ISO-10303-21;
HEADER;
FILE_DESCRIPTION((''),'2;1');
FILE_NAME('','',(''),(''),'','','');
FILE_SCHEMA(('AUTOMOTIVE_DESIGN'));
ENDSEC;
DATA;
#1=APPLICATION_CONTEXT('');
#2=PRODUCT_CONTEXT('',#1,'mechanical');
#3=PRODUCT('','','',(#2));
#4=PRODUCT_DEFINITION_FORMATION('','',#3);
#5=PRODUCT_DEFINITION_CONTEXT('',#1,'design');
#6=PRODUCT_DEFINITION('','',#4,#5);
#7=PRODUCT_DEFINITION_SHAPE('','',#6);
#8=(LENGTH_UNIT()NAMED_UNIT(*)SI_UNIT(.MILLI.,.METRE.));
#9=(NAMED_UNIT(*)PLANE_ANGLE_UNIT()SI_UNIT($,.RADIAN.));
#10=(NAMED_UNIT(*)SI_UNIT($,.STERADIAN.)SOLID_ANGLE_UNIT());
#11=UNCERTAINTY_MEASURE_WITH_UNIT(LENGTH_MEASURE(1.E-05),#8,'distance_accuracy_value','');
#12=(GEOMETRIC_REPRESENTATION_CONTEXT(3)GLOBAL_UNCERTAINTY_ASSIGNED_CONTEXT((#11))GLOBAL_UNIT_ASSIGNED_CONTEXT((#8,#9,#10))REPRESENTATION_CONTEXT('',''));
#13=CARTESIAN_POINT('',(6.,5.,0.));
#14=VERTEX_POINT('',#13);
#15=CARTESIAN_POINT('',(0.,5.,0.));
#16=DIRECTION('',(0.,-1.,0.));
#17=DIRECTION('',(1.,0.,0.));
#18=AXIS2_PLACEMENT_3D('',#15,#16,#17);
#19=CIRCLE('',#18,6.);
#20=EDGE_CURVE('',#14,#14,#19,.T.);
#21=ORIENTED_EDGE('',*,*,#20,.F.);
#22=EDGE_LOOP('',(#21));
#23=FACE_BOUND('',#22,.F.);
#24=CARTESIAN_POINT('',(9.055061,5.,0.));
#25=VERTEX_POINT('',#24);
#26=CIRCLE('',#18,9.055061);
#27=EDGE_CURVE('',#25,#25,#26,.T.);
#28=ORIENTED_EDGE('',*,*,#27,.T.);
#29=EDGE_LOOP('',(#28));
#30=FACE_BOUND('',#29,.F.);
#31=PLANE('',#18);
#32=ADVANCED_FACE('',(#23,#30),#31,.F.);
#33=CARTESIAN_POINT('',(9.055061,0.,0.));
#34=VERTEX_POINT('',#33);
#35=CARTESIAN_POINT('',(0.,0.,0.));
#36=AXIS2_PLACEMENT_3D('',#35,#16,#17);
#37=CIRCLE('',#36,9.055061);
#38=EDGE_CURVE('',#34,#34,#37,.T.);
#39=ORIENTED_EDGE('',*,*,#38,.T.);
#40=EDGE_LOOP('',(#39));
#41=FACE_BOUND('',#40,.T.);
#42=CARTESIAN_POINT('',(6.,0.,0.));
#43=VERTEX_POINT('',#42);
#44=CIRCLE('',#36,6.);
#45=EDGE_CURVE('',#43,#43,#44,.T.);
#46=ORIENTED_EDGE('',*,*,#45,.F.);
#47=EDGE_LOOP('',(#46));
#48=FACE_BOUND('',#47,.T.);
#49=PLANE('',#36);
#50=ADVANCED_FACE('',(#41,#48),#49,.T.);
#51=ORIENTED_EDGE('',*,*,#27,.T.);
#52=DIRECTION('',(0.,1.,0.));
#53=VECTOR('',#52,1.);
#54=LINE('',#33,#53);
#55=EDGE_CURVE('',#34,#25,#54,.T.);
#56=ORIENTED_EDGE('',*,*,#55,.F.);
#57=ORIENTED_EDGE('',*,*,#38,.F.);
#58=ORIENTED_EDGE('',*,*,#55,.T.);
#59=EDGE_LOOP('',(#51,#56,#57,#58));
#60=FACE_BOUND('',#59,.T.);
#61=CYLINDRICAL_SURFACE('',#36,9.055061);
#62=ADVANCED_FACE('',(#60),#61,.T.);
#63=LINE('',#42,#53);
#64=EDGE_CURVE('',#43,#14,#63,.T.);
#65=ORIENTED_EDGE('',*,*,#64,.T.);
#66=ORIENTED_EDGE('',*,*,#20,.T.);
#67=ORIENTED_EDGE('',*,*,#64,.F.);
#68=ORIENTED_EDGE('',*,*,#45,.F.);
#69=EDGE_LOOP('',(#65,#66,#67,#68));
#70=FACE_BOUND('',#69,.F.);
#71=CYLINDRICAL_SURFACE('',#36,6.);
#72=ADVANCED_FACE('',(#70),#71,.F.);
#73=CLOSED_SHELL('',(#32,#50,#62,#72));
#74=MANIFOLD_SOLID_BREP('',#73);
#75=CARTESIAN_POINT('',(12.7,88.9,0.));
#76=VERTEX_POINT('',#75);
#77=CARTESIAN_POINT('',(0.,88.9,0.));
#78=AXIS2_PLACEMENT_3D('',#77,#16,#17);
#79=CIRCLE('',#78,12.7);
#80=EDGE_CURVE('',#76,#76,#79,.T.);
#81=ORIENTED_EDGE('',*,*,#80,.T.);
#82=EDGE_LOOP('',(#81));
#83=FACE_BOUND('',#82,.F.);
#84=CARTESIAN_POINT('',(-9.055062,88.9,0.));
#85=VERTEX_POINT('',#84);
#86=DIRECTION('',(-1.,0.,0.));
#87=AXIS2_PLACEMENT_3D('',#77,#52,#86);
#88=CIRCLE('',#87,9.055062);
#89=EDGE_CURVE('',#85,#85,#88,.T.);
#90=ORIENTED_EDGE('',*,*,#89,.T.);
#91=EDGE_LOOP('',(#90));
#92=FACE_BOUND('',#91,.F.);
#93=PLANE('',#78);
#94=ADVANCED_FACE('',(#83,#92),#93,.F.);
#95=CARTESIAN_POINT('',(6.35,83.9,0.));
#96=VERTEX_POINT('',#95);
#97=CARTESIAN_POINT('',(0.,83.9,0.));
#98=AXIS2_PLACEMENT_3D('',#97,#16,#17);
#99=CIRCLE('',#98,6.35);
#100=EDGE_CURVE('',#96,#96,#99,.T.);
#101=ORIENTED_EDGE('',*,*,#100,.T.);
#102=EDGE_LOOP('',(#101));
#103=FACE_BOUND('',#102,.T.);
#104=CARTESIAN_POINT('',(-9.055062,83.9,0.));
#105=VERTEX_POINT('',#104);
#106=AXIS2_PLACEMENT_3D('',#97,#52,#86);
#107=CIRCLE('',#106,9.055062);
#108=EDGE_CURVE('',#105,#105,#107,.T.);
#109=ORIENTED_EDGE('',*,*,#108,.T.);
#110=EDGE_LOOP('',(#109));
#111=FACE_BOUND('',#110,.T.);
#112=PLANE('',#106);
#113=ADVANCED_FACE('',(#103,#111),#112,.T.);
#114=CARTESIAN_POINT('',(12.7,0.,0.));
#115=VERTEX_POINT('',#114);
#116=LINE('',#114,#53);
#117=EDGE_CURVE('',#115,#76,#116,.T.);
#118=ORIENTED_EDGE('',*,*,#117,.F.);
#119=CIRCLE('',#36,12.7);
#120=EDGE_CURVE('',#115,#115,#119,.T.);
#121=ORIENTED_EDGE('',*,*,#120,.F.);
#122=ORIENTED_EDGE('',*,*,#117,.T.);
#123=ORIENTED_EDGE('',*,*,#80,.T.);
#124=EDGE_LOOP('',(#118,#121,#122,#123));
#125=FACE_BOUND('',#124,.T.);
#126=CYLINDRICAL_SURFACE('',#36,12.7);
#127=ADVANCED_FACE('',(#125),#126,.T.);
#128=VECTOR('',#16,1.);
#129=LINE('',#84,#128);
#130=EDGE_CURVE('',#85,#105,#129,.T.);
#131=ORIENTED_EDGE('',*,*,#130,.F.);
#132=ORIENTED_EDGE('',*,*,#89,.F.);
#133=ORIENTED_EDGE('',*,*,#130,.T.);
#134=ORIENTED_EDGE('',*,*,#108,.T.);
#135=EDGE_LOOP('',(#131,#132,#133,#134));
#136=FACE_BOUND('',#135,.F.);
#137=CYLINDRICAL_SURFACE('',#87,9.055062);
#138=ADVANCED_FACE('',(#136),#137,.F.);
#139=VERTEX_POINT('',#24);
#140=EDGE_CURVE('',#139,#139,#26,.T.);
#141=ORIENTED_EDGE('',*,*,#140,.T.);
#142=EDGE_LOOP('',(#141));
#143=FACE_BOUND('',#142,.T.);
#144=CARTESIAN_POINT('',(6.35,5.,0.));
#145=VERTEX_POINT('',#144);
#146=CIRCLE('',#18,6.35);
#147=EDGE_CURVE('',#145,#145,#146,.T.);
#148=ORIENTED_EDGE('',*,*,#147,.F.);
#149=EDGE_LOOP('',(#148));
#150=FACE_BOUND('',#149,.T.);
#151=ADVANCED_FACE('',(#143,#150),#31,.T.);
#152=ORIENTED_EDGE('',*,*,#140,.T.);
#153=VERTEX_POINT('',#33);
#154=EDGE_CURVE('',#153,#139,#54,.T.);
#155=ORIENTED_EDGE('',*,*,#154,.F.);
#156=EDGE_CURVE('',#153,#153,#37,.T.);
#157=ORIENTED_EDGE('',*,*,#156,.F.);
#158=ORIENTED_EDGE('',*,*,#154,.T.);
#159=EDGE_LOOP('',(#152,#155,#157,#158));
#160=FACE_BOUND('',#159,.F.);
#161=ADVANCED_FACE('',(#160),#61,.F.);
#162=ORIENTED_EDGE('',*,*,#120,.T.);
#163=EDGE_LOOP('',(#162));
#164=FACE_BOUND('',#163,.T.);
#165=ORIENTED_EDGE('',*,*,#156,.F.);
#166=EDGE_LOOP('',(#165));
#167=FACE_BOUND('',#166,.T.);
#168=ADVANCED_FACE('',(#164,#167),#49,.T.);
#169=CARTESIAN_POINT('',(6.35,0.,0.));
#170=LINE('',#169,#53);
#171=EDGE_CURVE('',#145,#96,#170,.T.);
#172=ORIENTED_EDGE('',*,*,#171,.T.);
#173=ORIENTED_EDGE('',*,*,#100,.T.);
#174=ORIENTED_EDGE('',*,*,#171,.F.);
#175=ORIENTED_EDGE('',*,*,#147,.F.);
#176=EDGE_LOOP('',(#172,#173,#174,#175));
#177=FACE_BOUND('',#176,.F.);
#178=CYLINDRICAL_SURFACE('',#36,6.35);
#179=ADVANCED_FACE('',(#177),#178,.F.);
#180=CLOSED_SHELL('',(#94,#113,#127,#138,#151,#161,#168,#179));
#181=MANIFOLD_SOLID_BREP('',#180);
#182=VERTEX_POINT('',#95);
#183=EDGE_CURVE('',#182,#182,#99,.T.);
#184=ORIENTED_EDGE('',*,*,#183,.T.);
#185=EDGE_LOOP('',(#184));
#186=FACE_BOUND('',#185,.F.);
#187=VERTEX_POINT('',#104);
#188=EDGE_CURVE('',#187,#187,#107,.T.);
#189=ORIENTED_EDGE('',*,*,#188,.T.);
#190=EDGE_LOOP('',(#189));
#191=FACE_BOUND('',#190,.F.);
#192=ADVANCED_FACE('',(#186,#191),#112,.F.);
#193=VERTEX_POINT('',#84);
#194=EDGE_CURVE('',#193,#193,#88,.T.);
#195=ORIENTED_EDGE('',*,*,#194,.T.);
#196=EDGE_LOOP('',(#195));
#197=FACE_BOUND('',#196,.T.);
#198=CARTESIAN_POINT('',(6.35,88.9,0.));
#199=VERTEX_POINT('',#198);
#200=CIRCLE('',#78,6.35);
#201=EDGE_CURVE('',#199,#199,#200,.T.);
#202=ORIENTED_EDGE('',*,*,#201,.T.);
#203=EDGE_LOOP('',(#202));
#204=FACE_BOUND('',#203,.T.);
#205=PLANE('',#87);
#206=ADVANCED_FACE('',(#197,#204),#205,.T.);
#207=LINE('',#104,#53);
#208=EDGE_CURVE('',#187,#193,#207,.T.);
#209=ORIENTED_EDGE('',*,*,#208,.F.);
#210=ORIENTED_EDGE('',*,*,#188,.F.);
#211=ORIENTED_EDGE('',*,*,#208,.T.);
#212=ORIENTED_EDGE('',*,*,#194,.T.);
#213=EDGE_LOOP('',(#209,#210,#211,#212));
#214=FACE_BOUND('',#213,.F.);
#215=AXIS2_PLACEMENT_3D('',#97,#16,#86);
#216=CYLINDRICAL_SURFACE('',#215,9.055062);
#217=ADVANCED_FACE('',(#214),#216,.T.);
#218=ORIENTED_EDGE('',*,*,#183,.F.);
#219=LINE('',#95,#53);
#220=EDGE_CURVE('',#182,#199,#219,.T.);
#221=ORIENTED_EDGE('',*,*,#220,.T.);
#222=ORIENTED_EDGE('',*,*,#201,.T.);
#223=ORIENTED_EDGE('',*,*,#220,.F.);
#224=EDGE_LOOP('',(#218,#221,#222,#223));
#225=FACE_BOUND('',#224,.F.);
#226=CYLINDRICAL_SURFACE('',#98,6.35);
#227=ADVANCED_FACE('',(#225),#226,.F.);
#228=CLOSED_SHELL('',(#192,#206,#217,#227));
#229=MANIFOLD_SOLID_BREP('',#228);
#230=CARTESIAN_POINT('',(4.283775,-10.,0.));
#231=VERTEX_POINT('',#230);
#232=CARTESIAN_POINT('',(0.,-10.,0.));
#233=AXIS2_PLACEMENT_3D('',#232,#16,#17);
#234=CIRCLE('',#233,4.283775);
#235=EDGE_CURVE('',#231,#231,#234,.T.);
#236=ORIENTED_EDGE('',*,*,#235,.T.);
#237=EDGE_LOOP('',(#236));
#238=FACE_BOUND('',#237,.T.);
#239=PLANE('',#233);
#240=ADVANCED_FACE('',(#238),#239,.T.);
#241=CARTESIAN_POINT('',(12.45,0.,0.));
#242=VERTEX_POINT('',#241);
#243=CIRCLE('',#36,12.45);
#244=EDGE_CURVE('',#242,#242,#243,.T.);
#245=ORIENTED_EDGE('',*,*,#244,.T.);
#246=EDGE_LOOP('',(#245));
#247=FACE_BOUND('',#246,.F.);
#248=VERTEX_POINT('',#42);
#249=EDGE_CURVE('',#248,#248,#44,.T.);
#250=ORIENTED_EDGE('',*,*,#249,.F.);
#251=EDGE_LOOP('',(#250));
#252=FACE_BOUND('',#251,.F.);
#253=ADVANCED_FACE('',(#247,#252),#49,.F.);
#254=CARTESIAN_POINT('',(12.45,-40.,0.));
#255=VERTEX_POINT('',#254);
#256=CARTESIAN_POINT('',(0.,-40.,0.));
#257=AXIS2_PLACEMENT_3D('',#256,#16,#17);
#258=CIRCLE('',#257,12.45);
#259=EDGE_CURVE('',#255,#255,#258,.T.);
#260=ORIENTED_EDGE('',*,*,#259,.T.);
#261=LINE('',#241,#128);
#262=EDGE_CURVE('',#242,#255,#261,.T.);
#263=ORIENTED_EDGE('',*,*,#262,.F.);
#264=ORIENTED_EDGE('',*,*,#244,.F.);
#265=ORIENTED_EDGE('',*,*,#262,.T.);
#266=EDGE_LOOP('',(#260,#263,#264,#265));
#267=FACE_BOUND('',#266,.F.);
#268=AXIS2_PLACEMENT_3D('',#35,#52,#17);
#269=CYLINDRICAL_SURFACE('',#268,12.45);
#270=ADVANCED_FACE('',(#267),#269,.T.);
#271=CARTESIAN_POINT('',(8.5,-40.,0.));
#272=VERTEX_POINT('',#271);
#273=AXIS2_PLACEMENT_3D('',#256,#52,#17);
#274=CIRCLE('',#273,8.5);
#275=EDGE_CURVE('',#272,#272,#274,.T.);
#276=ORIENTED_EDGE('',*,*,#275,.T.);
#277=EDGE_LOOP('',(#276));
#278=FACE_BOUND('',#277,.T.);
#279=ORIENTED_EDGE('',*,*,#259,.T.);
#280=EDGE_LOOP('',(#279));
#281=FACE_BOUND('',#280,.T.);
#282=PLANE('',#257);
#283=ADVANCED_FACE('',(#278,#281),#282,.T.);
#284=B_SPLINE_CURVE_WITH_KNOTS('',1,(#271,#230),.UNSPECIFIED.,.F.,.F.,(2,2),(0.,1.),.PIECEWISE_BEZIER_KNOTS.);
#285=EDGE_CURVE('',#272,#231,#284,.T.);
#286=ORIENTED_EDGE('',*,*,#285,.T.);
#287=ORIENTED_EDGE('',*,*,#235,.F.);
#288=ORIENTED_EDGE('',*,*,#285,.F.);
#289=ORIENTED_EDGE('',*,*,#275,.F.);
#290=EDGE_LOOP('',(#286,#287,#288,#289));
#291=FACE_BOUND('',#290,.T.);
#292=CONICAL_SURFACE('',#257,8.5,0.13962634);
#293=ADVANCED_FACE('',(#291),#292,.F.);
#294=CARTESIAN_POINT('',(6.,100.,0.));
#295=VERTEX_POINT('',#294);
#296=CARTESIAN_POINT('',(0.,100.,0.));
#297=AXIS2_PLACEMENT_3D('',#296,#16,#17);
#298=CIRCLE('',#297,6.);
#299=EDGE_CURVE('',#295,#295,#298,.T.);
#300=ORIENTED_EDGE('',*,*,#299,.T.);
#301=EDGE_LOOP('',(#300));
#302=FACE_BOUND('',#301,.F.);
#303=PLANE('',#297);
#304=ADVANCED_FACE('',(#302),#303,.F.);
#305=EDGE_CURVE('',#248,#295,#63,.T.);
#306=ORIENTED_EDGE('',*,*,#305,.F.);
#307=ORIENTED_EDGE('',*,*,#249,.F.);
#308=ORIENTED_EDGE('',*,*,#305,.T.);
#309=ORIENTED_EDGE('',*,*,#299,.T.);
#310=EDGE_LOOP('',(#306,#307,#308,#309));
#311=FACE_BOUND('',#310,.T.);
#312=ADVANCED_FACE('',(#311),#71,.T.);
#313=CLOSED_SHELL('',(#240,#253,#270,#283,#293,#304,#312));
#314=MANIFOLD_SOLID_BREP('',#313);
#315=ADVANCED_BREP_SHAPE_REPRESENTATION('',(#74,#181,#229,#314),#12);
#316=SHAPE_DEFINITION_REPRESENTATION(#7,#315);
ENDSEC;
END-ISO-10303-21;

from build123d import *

# Parameters (mm, degrees)
F0_R      = 6
F1_DEPTH  = 100
F0_R_2    = 12.45
F0_R_3    = 9.0550614865
F0_R_4    = 6.35
F2_DEPTH  = 40
F3_R      = 8.5
F4_DEPTH  = 30
F4_TAPER  = 8
F0_R_5    = 12.7
F5_DEPTH  = 88.9
F6_DEPTH  = 5
F7_DEPTH  = 5
F8_R      = 9.0550619
F9_DEPTH  = 5
F10_DEPTH = 5


with BuildPart() as f1:
    # F0 (on Front) → F1 (new body)
    with BuildSketch(Plane.XZ):
        Circle(F0_R)
    extrude(amount=-F1_DEPTH)

    # F0 (on Front) → F2 (join)
    with BuildSketch(Plane.XZ):
        Circle(F0_R_2)
        Circle(F0_R_3, mode=Mode.SUBTRACT)
        Circle(F0_R_3)
        Circle(F0_R_4, mode=Mode.SUBTRACT)
        Circle(F0_R_4)
        Circle(F0_R, mode=Mode.SUBTRACT)
        Circle(F0_R)
    extrude(amount=F2_DEPTH)

    # F3 (on face) → F4 (cut)
    with BuildSketch(Plane.XZ.offset(40)):
        Circle(F3_R)
    extrude(amount=-F4_DEPTH, taper=F4_TAPER, mode=Mode.SUBTRACT)


with BuildPart() as f5:
    # F0 (on Front) → F5 (new body)
    with BuildSketch(Plane.XZ):
        Circle(F0_R_5)
        Circle(F0_R_2, mode=Mode.SUBTRACT)
        Circle(F0_R_2)
        Circle(F0_R_3, mode=Mode.SUBTRACT)
        Circle(F0_R_3)
        Circle(F0_R_4, mode=Mode.SUBTRACT)
    extrude(amount=-F5_DEPTH)

    # F0 (on Front) → F6 (cut)
    with BuildSketch(Plane.XZ):
        Circle(F0_R_3)
        Circle(F0_R_4, mode=Mode.SUBTRACT)
    extrude(amount=-F6_DEPTH, mode=Mode.SUBTRACT)

    # F8 (on face) → F9 (cut)
    with BuildSketch(Plane(origin=(0, 88.9, 0), x_dir=(-1, 0, 0), z_dir=(0, 1, 0))):
        Circle(F8_R)
    extrude(amount=-F9_DEPTH, mode=Mode.SUBTRACT)


with BuildPart() as f7:
    # F0 (on Front) → F7 (new body)
    with BuildSketch(Plane.XZ):
        Circle(F0_R_3)
        Circle(F0_R_4, mode=Mode.SUBTRACT)
        Circle(F0_R_4)
        Circle(F0_R, mode=Mode.SUBTRACT)
    extrude(amount=-F7_DEPTH)


with BuildPart() as f10:
    # F10 (new): a face of the model
    f10_faces = [f5.part.faces().sort_by_distance(p)[0] for p in [
        (8.7989460731, 83.9, 0),
    ]]
    extrude(f10_faces, amount=F10_DEPTH)


solid = Compound([f1.part, f5.part, f7.part, f10.part])
